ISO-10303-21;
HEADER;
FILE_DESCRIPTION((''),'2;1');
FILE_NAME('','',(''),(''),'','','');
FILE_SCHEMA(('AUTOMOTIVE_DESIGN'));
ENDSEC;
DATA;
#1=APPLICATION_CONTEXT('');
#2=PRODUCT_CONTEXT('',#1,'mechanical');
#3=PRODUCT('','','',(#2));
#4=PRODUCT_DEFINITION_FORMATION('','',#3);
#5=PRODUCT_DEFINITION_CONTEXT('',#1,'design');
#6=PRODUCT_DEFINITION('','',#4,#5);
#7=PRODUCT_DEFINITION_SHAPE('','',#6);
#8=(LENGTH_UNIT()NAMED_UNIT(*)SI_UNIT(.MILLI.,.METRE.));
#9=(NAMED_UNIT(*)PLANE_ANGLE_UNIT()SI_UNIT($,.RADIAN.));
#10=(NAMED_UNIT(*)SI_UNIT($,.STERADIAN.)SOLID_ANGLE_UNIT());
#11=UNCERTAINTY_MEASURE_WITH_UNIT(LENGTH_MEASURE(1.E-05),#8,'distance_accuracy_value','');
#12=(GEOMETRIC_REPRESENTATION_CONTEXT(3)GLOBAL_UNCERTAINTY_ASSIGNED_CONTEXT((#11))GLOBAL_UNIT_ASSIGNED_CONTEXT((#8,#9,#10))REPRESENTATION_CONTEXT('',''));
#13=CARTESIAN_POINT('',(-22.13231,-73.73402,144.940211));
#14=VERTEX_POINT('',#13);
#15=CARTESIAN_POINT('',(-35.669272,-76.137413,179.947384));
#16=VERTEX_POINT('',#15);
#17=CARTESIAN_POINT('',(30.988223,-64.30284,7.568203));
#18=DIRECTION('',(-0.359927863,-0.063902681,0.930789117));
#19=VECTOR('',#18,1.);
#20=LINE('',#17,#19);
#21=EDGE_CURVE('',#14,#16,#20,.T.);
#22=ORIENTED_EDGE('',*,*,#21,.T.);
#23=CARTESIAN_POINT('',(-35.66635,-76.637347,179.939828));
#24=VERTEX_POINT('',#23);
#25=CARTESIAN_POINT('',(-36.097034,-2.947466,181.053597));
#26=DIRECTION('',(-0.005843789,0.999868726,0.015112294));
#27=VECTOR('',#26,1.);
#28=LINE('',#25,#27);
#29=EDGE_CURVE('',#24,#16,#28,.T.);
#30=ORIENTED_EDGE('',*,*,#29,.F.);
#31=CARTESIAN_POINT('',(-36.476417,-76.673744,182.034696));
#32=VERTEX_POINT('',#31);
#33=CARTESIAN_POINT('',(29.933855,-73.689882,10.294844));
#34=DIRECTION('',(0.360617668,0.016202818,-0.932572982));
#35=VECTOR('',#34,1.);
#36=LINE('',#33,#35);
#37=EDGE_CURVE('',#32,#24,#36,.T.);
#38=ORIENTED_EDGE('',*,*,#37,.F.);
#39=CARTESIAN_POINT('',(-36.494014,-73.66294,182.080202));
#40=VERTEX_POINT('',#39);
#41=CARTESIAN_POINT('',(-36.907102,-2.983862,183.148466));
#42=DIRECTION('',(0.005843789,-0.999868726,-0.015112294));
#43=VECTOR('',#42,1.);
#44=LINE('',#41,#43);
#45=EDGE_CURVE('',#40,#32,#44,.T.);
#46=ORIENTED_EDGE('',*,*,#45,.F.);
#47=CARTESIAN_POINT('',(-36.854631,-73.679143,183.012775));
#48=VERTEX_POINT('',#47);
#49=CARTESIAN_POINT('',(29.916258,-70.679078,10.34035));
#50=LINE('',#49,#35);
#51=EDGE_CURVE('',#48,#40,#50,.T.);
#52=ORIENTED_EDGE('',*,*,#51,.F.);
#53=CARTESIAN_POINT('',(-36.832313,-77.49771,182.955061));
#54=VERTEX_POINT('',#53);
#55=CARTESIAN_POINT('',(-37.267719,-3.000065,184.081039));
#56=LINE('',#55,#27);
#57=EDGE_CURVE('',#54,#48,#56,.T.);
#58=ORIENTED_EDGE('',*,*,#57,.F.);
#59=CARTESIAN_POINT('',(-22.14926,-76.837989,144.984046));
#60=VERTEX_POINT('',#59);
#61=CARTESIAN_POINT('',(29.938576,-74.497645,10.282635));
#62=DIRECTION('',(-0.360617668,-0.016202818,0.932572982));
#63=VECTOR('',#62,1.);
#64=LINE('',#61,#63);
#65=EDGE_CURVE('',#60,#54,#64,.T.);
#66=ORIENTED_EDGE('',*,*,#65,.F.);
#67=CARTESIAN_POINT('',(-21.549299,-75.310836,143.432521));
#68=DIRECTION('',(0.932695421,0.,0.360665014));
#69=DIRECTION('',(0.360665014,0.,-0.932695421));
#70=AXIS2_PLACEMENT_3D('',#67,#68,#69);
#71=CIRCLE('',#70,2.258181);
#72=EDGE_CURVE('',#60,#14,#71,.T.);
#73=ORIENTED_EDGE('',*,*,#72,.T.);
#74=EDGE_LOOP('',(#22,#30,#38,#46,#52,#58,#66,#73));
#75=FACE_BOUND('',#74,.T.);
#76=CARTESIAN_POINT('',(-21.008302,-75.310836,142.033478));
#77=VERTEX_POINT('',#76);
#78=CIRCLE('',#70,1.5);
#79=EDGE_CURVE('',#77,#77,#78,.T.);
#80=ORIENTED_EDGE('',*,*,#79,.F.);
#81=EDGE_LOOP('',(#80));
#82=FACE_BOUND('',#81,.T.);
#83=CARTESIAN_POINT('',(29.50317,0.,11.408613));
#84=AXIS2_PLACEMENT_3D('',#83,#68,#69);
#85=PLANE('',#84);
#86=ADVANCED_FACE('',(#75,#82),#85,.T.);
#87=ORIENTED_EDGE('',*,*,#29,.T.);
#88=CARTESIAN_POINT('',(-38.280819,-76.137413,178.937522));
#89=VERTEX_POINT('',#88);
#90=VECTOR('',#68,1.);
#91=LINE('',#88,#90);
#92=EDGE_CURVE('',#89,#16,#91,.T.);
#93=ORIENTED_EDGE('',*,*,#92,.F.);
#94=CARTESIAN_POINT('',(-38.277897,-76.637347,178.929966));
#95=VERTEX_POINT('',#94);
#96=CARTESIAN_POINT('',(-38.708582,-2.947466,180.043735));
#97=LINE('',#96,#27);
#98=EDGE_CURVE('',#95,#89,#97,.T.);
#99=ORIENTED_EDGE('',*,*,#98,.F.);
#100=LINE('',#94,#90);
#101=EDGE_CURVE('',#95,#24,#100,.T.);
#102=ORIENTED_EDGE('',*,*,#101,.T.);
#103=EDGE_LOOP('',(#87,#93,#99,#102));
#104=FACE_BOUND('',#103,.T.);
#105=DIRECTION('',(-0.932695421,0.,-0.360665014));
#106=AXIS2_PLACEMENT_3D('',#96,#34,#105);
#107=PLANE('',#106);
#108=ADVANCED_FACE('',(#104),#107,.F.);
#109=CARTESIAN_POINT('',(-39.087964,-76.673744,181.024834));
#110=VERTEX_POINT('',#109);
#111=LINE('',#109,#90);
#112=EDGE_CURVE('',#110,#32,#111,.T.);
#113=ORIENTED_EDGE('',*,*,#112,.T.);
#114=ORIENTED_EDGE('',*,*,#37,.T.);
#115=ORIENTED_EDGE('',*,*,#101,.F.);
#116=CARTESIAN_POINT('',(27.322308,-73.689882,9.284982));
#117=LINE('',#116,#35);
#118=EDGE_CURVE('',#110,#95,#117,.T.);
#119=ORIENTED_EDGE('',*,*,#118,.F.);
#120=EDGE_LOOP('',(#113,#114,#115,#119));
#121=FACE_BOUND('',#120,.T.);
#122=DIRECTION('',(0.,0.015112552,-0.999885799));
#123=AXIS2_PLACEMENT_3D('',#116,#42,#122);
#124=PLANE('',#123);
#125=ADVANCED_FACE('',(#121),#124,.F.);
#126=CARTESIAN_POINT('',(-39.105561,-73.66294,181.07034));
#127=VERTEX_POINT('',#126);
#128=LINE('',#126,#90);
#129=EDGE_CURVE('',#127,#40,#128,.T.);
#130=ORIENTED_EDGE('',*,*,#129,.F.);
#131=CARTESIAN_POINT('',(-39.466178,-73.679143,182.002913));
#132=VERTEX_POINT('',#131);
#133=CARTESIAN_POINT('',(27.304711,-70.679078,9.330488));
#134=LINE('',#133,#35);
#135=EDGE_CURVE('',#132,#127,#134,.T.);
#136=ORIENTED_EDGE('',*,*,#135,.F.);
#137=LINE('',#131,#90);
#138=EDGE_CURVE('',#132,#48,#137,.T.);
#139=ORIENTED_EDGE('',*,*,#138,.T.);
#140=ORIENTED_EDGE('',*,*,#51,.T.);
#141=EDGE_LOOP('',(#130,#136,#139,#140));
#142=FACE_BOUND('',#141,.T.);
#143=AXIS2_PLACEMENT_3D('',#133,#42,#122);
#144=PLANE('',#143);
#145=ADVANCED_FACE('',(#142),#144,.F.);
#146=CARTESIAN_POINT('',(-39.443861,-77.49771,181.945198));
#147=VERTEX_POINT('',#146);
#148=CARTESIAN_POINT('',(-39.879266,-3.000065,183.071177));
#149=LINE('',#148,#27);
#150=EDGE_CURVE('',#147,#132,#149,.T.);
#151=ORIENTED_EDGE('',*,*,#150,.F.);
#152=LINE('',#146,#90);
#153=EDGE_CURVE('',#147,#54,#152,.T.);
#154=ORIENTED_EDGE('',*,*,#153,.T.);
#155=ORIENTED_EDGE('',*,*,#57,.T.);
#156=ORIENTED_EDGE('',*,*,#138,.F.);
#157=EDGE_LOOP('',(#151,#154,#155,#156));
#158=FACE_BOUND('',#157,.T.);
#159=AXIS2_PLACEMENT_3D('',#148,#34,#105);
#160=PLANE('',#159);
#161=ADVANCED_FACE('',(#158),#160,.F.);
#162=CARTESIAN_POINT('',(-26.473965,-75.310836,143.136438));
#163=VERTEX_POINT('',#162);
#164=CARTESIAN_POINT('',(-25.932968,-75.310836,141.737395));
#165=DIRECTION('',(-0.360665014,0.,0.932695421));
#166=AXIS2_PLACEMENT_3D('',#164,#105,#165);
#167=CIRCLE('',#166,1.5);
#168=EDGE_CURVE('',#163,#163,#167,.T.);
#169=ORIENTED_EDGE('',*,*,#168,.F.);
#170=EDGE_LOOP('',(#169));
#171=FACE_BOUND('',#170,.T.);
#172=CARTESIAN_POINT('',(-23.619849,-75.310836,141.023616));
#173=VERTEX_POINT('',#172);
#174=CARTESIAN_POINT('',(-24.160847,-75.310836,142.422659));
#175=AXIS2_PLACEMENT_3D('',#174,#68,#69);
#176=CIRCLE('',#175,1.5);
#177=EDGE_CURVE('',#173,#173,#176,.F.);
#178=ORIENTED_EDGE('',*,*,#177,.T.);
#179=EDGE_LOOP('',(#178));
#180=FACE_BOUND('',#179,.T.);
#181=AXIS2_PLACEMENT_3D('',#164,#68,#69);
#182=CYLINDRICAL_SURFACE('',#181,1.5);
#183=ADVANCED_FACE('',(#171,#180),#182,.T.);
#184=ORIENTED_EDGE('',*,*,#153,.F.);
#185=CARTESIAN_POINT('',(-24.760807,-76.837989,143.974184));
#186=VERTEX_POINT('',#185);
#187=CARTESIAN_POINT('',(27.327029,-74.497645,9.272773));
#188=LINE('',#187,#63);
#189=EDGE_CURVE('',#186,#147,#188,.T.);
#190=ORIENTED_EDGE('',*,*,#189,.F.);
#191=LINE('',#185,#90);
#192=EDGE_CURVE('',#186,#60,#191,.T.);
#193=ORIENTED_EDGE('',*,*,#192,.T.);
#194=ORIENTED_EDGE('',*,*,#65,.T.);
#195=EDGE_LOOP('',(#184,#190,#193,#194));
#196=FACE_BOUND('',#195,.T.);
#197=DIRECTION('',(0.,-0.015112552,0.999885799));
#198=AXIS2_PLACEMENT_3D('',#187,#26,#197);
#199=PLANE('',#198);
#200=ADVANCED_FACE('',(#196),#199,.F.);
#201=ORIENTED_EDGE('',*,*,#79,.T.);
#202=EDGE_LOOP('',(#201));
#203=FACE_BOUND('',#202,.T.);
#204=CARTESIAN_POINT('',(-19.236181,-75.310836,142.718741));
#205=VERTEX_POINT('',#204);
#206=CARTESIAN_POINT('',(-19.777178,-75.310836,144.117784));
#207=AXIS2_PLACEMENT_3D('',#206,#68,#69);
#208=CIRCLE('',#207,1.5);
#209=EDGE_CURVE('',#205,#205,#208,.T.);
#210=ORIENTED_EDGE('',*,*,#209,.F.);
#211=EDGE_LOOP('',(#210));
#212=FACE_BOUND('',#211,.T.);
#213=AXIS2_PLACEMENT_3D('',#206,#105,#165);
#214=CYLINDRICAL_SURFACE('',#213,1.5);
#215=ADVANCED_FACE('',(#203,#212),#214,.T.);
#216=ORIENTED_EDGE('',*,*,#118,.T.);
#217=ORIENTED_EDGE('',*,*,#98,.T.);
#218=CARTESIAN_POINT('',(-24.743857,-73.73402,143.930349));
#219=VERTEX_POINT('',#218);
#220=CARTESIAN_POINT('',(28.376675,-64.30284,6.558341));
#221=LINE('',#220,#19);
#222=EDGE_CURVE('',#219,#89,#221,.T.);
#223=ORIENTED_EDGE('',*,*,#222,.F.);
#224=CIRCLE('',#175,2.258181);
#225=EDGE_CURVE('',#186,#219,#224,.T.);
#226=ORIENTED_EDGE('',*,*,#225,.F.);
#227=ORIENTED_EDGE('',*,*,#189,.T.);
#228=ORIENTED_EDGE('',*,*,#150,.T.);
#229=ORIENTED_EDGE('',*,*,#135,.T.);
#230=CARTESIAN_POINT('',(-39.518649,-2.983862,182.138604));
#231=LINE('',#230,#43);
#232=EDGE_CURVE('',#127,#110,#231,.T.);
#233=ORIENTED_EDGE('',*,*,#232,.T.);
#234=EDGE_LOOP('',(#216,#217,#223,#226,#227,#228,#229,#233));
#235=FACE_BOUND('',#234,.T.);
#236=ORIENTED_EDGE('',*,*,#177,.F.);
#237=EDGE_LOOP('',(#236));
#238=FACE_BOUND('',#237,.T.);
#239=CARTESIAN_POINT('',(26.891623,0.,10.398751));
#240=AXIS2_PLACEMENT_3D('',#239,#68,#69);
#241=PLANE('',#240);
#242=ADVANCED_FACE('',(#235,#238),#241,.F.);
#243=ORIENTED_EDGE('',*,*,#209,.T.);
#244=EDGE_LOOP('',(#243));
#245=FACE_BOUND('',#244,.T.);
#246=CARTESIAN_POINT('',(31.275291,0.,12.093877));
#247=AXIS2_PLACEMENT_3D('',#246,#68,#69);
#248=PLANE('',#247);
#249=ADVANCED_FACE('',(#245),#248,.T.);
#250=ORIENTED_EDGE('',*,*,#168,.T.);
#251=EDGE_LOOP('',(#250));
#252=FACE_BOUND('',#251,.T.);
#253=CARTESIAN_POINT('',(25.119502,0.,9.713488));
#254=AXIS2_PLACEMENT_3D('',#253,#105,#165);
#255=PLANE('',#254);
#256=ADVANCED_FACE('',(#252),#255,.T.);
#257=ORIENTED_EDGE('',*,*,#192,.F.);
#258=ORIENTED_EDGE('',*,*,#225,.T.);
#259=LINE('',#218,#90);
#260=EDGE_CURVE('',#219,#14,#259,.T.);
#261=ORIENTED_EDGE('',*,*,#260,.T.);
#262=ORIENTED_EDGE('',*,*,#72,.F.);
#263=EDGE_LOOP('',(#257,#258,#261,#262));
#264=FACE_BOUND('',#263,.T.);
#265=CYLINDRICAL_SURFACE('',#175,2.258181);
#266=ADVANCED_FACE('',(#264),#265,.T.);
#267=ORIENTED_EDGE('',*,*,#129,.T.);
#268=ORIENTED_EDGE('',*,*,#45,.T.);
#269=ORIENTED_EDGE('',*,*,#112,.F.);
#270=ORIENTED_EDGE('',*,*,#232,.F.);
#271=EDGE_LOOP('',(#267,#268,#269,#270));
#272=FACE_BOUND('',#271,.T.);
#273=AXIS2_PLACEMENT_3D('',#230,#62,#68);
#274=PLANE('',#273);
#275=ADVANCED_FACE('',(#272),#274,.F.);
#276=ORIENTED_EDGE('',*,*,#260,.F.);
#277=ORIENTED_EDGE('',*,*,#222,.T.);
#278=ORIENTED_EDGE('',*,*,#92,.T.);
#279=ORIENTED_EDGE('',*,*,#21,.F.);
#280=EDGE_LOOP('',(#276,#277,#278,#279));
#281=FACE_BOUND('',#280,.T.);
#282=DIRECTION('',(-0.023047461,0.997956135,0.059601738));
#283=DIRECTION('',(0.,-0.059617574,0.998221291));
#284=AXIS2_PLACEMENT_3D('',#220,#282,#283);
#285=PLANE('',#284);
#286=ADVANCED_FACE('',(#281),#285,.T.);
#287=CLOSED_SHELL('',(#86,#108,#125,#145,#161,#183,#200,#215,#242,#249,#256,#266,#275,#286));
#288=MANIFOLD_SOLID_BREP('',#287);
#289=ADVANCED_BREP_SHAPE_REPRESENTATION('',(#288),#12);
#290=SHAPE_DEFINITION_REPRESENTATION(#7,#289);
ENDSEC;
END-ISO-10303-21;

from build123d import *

# Parameters (mm, degrees)
BASE_DEPTH        = 1.4
BASE_DEPTH_BACK   = 1.4
BOSS_BLOC_G_DEPTH = 1.9
BOSS_START        = 1.9
BOSS_BLOC_D_DEPTH = 1.9


with BuildPart() as part:
    # Esquisse1 → BASE (new, two sides: drawn at the far end of the back side and taken through both)
    with BuildSketch(Plane(origin=(-65.300145961, -64.810459708, 252.692395796), x_dir=(-0.005843789485583505, 0.9998687257320568, 0.015112293915923657), z_dir=(0.9326954207343167, 1.4198852059309815e-15, 0.3606650137471557)).offset(-BASE_DEPTH_BACK)):
        with BuildLine():
            ThreePointArc((-13.905835762, -115.811989231), (-12.476603332, -119.757071622), (-10.803035184, -115.909273542))
            Line((-10.803035184, -115.909273542), (-12.597966981, -78.341921007))
            Line((-12.597966981, -78.341921007), (-13.097966981, -78.341921007))
            Line((-13.097966981, -78.341921007), (-13.097966981, -76.095588858))
            Line((-13.097966981, -76.095588858), (-10.086767597, -76.095588858))
            Line((-10.086767597, -76.095588858), (-10.086767597, -75.095588858))
            Line((-10.086767597, -75.095588858), (-13.905835762, -75.095588858))
            Line((-13.905835762, -75.095588858), (-13.905835762, -115.811989231))
        make_face()
    extrude(amount=BASE_DEPTH + BASE_DEPTH_BACK)

    # Esquisse2 → BOSS BLOC G (add)
    with BuildSketch(Plane(origin=(29.50317012, 0, 11.408613166), x_dir=(0.36066501374715604, 0, -0.9326954207343167), z_dir=(0.9326954207343167, 0, 0.36066501374715604))):
        with BuildLine():
            ThreePointArc((-142.624687975, -74.263433448), (-143.050736773, -75.335140044), (-142.590186903, -76.392479357))
            ThreePointArc((-142.590186903, -76.392479357), (-140.963090095, -76.690850279), (-140.050933684, -75.310835817))
            ThreePointArc((-140.050933684, -75.310835817), (-140.985527386, -73.921477793), (-142.624687975, -74.263433448))
        make_face()
    extrude(amount=BOSS_BLOC_G_DEPTH)

    # Esquisse3 → BOSS BLOC D (add)
    with BuildSketch(Plane(origin=(26.891622942, 0, 10.398751127), x_dir=(-0.36066501374715587, 0, 0.9326954207343167), z_dir=(-0.9326954207343167, 0, -0.36066501374715587)).offset(BOSS_START)):
        with BuildLine():
            ThreePointArc((143.050933684, -75.310835817), (142.940291708, -74.745429519), (142.624687975, -74.263433448))
            ThreePointArc((142.624687975, -74.263433448), (140.051130596, -75.28653159), (142.590186903, -76.392479357))
            ThreePointArc((142.590186903, -76.392479357), (142.930948146, -75.898679407), (143.050933684, -75.310835817))
        make_face()
    extrude(amount=-BOSS_BLOC_D_DEPTH)


solid = part.part
